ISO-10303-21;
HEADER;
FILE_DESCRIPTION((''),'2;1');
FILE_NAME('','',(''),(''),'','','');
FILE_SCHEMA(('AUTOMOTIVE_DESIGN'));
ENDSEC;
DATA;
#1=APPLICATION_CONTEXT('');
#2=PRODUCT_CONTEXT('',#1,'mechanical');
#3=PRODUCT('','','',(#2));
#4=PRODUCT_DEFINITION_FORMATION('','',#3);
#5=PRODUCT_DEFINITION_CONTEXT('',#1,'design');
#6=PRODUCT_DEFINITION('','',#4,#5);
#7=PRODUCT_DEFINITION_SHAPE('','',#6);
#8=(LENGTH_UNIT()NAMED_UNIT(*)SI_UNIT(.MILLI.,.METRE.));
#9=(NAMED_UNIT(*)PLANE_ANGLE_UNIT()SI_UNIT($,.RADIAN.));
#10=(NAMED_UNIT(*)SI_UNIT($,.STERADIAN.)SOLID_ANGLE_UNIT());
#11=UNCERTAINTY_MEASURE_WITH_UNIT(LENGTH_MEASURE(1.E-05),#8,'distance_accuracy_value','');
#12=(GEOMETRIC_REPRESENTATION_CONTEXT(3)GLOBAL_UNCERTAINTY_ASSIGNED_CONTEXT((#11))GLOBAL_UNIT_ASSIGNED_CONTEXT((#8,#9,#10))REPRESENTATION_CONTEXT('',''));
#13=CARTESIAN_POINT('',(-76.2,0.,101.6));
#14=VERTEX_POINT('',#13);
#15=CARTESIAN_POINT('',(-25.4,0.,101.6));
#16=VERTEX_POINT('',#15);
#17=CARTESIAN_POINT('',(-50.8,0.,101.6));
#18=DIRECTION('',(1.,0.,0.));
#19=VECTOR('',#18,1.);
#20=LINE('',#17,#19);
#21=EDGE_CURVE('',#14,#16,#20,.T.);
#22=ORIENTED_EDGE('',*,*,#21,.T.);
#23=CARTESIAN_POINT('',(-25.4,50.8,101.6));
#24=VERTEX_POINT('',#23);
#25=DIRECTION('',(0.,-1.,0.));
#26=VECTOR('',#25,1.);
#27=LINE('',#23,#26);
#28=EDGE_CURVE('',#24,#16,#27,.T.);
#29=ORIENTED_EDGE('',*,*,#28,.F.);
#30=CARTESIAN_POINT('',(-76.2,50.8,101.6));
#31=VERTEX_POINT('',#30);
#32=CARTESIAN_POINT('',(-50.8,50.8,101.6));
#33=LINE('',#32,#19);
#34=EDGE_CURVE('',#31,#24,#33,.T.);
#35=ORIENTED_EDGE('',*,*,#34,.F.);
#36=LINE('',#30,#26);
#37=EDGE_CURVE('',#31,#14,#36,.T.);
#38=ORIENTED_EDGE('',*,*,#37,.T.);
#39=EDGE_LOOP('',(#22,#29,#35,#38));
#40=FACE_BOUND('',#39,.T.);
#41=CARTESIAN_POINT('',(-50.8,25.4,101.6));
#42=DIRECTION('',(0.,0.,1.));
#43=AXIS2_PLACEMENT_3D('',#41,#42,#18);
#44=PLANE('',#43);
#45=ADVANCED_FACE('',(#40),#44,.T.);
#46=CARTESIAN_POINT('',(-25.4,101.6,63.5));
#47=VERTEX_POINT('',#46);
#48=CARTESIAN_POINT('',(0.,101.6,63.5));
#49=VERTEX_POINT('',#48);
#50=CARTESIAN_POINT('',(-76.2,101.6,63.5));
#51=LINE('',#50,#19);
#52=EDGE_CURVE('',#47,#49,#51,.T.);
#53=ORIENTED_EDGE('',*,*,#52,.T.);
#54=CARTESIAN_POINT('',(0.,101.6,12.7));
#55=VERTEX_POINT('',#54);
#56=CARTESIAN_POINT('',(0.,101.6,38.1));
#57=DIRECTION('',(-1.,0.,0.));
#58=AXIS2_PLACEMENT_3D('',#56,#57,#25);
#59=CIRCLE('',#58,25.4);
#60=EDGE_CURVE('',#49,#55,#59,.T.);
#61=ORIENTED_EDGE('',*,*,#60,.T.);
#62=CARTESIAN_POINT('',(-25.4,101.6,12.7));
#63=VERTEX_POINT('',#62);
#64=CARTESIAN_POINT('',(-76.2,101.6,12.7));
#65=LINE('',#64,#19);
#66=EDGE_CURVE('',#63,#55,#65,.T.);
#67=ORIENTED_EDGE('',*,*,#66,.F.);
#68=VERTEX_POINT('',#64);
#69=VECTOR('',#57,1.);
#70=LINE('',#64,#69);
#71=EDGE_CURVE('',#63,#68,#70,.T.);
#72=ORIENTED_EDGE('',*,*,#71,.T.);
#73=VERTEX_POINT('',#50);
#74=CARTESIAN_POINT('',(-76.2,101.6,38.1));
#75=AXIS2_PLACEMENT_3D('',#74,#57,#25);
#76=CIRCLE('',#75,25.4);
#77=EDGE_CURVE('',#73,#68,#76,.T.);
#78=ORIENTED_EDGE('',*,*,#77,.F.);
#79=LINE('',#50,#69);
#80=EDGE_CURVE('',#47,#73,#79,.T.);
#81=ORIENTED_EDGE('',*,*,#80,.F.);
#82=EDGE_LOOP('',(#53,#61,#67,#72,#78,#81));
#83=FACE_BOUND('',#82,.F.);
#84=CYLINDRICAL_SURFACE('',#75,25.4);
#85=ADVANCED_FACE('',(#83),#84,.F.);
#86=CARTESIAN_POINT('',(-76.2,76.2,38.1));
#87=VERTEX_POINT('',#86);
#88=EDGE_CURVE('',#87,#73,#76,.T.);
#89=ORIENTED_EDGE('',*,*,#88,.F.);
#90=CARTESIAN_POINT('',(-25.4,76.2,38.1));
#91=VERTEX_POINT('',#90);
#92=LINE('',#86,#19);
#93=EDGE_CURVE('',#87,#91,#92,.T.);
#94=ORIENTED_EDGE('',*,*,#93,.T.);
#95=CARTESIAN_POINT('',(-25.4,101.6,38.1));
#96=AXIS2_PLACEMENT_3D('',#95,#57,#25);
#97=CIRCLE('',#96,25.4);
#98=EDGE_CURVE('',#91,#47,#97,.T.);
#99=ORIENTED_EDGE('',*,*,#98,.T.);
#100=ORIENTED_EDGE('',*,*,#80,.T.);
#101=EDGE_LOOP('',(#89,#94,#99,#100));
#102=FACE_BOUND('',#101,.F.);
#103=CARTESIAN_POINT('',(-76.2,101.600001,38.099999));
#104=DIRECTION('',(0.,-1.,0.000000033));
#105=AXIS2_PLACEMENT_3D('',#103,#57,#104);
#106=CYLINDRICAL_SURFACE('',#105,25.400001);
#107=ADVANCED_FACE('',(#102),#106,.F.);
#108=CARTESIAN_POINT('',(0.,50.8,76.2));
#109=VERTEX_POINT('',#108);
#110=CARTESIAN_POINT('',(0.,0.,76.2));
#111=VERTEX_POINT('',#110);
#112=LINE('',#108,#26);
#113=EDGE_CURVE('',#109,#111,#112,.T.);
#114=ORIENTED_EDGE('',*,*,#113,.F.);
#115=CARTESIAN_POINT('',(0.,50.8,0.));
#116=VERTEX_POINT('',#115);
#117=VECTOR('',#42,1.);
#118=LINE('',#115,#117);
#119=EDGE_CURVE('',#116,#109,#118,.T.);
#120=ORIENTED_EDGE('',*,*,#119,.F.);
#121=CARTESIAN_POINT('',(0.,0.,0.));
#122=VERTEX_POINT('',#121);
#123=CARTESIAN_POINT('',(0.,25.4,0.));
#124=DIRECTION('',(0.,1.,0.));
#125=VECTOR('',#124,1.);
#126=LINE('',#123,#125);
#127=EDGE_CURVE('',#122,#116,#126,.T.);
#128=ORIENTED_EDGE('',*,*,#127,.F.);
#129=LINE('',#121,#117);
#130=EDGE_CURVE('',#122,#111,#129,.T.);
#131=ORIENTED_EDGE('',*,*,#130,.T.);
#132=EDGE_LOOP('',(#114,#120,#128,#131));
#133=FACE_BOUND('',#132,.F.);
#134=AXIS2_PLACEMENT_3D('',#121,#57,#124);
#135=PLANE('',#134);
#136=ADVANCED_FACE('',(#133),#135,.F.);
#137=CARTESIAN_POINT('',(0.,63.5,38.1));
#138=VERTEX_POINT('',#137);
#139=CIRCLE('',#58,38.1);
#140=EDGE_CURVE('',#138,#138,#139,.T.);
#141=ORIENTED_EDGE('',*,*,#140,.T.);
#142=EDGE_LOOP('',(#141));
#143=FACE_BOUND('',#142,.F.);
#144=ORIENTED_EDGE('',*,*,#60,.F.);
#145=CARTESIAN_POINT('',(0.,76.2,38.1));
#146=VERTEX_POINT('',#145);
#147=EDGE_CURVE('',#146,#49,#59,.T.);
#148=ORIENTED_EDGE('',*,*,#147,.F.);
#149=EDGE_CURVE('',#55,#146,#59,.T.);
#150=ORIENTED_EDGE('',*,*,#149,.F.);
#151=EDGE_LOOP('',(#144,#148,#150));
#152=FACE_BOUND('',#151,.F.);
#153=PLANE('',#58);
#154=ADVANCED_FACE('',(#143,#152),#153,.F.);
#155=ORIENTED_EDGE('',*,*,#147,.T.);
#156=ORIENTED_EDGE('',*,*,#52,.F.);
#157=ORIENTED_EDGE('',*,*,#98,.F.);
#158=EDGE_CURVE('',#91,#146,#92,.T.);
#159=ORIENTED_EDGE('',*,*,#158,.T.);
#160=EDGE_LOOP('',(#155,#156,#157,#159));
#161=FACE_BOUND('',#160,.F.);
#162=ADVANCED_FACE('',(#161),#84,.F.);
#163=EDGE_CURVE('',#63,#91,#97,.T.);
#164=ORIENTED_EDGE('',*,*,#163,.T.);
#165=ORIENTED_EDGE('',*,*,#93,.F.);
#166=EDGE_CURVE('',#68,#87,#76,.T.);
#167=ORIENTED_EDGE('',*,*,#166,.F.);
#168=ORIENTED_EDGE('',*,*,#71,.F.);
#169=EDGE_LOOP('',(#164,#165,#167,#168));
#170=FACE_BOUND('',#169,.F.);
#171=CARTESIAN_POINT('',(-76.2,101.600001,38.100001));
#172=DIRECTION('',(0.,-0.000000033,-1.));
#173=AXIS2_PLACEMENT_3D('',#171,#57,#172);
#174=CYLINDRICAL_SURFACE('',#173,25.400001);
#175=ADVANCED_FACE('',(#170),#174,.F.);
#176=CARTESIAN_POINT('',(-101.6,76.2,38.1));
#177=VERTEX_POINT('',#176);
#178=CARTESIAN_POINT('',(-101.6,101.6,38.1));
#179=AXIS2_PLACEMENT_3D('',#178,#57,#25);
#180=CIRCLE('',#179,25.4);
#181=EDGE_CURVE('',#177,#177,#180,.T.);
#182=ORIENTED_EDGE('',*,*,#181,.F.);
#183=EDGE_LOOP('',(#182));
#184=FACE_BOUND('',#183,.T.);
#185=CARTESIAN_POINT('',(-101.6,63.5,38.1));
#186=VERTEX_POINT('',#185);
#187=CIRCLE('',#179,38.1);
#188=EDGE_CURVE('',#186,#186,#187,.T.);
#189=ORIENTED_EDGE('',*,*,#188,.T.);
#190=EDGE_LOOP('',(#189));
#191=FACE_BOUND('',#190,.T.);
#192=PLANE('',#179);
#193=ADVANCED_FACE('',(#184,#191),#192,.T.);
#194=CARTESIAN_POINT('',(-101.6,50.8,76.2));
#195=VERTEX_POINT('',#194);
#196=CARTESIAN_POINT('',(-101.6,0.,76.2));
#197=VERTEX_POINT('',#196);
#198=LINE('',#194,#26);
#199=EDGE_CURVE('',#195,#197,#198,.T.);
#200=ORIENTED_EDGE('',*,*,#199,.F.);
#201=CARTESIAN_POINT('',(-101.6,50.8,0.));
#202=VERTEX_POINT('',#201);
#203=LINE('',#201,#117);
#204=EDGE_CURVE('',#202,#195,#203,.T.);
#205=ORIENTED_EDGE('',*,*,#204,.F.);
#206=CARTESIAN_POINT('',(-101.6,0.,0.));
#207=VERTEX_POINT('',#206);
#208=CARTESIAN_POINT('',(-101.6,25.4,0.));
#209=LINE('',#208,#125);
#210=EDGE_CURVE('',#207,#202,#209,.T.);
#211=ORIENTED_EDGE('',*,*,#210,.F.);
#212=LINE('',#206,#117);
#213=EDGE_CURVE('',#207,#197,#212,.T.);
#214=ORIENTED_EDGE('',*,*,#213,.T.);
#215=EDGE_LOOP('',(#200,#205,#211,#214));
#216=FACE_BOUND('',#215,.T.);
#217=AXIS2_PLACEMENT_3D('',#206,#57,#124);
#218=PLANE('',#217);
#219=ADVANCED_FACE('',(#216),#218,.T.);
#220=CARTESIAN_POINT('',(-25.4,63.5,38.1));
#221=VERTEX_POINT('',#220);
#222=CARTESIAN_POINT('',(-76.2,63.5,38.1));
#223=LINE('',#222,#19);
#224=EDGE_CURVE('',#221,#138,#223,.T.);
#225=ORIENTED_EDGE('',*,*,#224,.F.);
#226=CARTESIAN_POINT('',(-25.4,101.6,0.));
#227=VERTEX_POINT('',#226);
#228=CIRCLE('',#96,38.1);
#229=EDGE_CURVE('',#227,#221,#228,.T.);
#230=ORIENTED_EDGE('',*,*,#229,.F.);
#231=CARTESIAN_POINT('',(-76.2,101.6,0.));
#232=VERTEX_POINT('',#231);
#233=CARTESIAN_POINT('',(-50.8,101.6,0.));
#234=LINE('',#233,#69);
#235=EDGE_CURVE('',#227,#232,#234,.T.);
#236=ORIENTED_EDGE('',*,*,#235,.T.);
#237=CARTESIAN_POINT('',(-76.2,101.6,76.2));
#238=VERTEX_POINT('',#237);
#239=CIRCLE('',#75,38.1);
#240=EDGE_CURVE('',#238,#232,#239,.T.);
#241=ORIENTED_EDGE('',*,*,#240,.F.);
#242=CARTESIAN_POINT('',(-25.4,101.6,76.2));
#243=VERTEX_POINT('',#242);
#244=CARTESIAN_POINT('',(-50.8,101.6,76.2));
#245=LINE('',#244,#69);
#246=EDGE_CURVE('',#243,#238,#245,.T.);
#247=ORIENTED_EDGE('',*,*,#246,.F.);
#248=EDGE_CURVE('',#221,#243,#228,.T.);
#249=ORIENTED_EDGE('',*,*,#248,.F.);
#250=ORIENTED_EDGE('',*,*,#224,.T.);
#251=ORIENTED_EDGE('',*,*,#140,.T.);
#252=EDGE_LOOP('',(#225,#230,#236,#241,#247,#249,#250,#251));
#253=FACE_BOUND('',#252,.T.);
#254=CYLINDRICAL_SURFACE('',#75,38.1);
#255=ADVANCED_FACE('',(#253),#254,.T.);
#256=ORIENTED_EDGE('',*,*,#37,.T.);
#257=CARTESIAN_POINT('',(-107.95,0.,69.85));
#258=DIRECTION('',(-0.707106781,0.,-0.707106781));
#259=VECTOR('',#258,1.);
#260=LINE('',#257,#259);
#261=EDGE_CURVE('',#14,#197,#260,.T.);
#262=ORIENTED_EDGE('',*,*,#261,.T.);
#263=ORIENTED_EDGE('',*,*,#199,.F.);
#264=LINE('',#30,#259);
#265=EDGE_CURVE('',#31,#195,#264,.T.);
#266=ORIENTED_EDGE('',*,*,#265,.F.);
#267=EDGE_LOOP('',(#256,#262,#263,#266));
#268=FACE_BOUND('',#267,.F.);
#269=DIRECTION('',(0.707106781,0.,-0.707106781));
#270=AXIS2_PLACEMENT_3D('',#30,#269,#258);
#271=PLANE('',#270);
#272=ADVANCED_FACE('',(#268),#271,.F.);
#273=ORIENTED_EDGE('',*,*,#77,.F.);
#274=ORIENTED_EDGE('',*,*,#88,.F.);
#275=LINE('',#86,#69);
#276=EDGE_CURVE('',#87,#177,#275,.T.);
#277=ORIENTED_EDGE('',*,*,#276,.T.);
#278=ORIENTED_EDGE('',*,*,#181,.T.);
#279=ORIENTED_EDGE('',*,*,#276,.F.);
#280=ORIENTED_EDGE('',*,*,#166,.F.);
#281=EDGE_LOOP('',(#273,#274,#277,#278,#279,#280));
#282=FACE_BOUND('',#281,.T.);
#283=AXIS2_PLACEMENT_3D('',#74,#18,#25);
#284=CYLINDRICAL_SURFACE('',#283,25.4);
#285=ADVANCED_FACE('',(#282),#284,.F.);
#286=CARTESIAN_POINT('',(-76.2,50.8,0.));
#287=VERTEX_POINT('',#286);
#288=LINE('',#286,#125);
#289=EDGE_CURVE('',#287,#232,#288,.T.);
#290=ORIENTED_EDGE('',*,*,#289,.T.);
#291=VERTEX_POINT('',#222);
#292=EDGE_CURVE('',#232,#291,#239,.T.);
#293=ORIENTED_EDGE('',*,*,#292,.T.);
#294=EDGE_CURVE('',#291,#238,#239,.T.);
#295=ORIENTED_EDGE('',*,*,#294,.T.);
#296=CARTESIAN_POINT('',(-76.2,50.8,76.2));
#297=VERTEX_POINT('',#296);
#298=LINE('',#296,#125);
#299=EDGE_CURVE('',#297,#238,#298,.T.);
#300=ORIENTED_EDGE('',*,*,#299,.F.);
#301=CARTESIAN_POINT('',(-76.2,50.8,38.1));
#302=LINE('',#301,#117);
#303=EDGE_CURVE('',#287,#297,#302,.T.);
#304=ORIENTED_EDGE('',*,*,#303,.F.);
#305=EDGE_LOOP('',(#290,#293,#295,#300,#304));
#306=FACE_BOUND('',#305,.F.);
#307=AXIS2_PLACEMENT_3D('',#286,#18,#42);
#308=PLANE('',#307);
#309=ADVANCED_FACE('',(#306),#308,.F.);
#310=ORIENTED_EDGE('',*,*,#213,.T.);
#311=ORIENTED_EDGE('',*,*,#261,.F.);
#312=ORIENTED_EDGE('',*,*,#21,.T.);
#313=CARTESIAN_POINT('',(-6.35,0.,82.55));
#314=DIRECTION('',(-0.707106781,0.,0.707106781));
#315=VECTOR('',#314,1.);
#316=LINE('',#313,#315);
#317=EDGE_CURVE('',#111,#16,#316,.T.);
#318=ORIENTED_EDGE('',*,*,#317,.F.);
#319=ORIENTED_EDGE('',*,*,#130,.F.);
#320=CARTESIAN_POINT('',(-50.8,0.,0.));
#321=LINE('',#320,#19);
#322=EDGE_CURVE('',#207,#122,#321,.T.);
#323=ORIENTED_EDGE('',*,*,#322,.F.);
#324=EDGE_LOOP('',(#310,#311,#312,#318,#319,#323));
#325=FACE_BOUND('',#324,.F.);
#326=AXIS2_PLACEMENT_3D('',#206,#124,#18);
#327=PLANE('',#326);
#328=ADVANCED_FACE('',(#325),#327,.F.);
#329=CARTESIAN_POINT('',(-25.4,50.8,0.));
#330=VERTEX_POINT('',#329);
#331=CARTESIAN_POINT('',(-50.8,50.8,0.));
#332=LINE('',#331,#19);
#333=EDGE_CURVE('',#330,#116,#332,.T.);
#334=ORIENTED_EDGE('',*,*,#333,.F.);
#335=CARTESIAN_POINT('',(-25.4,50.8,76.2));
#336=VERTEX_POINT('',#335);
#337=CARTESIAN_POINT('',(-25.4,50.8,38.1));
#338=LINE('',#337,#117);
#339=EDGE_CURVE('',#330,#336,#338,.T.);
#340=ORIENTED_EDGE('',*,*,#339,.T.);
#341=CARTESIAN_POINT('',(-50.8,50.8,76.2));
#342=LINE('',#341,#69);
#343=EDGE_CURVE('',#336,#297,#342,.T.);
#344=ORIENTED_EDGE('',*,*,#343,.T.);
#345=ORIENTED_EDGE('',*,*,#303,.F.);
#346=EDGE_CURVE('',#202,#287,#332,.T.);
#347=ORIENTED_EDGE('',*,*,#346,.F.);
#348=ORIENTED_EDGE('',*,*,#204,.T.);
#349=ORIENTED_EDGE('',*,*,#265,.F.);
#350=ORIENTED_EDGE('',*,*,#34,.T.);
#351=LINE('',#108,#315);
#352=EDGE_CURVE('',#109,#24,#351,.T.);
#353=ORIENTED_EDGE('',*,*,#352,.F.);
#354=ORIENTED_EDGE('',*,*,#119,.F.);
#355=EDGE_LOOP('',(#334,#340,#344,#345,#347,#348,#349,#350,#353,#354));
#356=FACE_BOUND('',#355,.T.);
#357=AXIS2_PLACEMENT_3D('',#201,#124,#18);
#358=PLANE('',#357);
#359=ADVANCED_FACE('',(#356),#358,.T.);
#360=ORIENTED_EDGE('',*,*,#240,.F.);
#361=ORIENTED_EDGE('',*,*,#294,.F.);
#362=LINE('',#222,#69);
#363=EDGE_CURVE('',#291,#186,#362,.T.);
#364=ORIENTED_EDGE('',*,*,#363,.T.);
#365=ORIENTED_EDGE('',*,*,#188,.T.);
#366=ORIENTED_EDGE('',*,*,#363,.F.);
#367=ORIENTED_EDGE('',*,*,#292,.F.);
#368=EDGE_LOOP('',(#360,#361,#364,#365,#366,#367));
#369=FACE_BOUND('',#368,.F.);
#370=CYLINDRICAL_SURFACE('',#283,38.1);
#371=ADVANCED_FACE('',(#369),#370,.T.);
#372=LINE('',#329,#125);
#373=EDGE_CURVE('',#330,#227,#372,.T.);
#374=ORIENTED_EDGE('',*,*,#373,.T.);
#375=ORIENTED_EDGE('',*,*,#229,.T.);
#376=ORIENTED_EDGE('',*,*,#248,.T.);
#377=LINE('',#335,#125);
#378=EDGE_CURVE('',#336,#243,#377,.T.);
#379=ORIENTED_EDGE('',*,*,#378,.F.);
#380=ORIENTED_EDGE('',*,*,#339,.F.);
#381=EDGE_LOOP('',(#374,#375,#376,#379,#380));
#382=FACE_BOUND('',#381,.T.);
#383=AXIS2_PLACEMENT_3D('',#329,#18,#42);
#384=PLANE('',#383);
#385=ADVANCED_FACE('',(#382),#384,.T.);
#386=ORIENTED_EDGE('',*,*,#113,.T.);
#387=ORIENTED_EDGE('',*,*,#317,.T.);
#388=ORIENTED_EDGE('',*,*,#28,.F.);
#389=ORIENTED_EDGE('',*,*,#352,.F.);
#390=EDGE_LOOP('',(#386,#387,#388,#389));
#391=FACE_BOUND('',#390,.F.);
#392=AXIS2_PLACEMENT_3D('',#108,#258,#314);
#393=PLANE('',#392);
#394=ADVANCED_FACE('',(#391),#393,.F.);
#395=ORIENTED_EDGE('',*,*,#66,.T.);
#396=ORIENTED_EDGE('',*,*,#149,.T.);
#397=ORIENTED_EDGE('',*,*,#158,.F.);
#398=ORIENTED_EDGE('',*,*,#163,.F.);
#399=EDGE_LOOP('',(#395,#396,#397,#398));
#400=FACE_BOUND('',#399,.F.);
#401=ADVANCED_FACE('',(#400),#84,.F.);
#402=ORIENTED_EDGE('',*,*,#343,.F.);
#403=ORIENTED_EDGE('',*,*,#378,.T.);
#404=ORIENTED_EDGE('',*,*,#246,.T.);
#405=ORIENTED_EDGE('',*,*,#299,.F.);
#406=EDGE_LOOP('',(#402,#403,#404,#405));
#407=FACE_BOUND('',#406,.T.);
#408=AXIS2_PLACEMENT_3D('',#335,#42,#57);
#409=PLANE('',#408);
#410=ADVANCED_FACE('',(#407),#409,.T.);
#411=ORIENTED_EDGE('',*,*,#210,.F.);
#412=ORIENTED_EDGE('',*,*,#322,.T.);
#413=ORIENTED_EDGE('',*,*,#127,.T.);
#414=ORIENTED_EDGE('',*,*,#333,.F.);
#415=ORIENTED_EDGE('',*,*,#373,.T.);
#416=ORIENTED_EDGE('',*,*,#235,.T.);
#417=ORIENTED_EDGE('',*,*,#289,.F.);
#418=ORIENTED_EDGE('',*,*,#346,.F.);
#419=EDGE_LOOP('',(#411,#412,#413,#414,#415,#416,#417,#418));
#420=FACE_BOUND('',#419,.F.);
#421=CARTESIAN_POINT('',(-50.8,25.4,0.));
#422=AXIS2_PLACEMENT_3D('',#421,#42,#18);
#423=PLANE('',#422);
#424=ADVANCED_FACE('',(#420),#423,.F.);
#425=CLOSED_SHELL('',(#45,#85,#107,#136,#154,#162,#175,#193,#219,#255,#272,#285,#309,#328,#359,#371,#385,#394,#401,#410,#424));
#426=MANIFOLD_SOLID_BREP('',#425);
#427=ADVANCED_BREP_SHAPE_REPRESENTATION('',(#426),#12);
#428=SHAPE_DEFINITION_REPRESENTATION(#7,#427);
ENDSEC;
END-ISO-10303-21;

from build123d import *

# Parameters (mm, degrees)
F0_W          = 101.6
F0_H          = 50.8
F1_DEPTH      = 101.6
F3_DEPTH      = 50.801
F4_W          = 50.8
F4_H          = 76.2
F5_DEPTH      = 50.8
F6_R          = 38.1
F6_R_2        = 25.4
F7_DEPTH      = 25.4
F7_DEPTH_BACK = 76.2
F8_DEPTH      = 76.201


with BuildPart() as f1:
    # F0 (on Top) → F1 (new body)
    with BuildSketch(Plane.XY):
        with Locations((-50.8, 25.4)):
            Rectangle(F0_W, F0_H)
    extrude(amount=F1_DEPTH)

    # F2 (on face) → F3 (cut, through all)
    with BuildSketch(Plane(origin=(0, 50.8, 0), x_dir=(-1, 0, 0), z_dir=(0, 1, 0))):
        Polygon((0, 76.2), (25.4, 101.6), (0, 101.6), align=None)
        Polygon((101.6, 101.6), (76.2, 101.6), (101.6, 76.2), align=None)
    extrude(amount=-F3_DEPTH, mode=Mode.SUBTRACT)

    # F4 (on face) → F5 (join)
    with BuildSketch(Plane(origin=(0, 50.8, 0), x_dir=(-1, 0, 0), z_dir=(0, 1, 0))):
        with Locations((50.8, 38.1)):
            Rectangle(F4_W, F4_H)
    extrude(amount=F5_DEPTH)

    # F6 (on face) → F7 (join, two sides)
    with BuildSketch(Plane(origin=(-76.2, 0, 0), x_dir=(0, -1, 0), z_dir=(-1, 0, 0))) as f7_sk:
        with Locations((-101.6, 38.1)):
            Circle(F6_R)
        with Locations((-101.6, 38.1)):
            Circle(F6_R_2, mode=Mode.SUBTRACT)
    extrude(amount=F7_DEPTH)
    extrude(f7_sk.sketch, amount=-F7_DEPTH_BACK)

    # F7_face (on face) → F8 (cut, through all)
    with BuildSketch(Plane(origin=(-76.2, 90.819905, 38.1), x_dir=(0, -1, 0), z_dir=(-1, 0, 0))):
        with BuildLine():
            ThreePointArc((-10.780095, -25.4), (7.180417, -17.960512), (14.619905, 0))
            ThreePointArc((14.619905, 0), (7.180417, 17.960512), (-10.780095, 25.4))
            Line((-10.780095, 25.4), (-10.780095, -25.4))
        make_face()
    extrude(amount=-F8_DEPTH, mode=Mode.SUBTRACT)


solid = f1.part
